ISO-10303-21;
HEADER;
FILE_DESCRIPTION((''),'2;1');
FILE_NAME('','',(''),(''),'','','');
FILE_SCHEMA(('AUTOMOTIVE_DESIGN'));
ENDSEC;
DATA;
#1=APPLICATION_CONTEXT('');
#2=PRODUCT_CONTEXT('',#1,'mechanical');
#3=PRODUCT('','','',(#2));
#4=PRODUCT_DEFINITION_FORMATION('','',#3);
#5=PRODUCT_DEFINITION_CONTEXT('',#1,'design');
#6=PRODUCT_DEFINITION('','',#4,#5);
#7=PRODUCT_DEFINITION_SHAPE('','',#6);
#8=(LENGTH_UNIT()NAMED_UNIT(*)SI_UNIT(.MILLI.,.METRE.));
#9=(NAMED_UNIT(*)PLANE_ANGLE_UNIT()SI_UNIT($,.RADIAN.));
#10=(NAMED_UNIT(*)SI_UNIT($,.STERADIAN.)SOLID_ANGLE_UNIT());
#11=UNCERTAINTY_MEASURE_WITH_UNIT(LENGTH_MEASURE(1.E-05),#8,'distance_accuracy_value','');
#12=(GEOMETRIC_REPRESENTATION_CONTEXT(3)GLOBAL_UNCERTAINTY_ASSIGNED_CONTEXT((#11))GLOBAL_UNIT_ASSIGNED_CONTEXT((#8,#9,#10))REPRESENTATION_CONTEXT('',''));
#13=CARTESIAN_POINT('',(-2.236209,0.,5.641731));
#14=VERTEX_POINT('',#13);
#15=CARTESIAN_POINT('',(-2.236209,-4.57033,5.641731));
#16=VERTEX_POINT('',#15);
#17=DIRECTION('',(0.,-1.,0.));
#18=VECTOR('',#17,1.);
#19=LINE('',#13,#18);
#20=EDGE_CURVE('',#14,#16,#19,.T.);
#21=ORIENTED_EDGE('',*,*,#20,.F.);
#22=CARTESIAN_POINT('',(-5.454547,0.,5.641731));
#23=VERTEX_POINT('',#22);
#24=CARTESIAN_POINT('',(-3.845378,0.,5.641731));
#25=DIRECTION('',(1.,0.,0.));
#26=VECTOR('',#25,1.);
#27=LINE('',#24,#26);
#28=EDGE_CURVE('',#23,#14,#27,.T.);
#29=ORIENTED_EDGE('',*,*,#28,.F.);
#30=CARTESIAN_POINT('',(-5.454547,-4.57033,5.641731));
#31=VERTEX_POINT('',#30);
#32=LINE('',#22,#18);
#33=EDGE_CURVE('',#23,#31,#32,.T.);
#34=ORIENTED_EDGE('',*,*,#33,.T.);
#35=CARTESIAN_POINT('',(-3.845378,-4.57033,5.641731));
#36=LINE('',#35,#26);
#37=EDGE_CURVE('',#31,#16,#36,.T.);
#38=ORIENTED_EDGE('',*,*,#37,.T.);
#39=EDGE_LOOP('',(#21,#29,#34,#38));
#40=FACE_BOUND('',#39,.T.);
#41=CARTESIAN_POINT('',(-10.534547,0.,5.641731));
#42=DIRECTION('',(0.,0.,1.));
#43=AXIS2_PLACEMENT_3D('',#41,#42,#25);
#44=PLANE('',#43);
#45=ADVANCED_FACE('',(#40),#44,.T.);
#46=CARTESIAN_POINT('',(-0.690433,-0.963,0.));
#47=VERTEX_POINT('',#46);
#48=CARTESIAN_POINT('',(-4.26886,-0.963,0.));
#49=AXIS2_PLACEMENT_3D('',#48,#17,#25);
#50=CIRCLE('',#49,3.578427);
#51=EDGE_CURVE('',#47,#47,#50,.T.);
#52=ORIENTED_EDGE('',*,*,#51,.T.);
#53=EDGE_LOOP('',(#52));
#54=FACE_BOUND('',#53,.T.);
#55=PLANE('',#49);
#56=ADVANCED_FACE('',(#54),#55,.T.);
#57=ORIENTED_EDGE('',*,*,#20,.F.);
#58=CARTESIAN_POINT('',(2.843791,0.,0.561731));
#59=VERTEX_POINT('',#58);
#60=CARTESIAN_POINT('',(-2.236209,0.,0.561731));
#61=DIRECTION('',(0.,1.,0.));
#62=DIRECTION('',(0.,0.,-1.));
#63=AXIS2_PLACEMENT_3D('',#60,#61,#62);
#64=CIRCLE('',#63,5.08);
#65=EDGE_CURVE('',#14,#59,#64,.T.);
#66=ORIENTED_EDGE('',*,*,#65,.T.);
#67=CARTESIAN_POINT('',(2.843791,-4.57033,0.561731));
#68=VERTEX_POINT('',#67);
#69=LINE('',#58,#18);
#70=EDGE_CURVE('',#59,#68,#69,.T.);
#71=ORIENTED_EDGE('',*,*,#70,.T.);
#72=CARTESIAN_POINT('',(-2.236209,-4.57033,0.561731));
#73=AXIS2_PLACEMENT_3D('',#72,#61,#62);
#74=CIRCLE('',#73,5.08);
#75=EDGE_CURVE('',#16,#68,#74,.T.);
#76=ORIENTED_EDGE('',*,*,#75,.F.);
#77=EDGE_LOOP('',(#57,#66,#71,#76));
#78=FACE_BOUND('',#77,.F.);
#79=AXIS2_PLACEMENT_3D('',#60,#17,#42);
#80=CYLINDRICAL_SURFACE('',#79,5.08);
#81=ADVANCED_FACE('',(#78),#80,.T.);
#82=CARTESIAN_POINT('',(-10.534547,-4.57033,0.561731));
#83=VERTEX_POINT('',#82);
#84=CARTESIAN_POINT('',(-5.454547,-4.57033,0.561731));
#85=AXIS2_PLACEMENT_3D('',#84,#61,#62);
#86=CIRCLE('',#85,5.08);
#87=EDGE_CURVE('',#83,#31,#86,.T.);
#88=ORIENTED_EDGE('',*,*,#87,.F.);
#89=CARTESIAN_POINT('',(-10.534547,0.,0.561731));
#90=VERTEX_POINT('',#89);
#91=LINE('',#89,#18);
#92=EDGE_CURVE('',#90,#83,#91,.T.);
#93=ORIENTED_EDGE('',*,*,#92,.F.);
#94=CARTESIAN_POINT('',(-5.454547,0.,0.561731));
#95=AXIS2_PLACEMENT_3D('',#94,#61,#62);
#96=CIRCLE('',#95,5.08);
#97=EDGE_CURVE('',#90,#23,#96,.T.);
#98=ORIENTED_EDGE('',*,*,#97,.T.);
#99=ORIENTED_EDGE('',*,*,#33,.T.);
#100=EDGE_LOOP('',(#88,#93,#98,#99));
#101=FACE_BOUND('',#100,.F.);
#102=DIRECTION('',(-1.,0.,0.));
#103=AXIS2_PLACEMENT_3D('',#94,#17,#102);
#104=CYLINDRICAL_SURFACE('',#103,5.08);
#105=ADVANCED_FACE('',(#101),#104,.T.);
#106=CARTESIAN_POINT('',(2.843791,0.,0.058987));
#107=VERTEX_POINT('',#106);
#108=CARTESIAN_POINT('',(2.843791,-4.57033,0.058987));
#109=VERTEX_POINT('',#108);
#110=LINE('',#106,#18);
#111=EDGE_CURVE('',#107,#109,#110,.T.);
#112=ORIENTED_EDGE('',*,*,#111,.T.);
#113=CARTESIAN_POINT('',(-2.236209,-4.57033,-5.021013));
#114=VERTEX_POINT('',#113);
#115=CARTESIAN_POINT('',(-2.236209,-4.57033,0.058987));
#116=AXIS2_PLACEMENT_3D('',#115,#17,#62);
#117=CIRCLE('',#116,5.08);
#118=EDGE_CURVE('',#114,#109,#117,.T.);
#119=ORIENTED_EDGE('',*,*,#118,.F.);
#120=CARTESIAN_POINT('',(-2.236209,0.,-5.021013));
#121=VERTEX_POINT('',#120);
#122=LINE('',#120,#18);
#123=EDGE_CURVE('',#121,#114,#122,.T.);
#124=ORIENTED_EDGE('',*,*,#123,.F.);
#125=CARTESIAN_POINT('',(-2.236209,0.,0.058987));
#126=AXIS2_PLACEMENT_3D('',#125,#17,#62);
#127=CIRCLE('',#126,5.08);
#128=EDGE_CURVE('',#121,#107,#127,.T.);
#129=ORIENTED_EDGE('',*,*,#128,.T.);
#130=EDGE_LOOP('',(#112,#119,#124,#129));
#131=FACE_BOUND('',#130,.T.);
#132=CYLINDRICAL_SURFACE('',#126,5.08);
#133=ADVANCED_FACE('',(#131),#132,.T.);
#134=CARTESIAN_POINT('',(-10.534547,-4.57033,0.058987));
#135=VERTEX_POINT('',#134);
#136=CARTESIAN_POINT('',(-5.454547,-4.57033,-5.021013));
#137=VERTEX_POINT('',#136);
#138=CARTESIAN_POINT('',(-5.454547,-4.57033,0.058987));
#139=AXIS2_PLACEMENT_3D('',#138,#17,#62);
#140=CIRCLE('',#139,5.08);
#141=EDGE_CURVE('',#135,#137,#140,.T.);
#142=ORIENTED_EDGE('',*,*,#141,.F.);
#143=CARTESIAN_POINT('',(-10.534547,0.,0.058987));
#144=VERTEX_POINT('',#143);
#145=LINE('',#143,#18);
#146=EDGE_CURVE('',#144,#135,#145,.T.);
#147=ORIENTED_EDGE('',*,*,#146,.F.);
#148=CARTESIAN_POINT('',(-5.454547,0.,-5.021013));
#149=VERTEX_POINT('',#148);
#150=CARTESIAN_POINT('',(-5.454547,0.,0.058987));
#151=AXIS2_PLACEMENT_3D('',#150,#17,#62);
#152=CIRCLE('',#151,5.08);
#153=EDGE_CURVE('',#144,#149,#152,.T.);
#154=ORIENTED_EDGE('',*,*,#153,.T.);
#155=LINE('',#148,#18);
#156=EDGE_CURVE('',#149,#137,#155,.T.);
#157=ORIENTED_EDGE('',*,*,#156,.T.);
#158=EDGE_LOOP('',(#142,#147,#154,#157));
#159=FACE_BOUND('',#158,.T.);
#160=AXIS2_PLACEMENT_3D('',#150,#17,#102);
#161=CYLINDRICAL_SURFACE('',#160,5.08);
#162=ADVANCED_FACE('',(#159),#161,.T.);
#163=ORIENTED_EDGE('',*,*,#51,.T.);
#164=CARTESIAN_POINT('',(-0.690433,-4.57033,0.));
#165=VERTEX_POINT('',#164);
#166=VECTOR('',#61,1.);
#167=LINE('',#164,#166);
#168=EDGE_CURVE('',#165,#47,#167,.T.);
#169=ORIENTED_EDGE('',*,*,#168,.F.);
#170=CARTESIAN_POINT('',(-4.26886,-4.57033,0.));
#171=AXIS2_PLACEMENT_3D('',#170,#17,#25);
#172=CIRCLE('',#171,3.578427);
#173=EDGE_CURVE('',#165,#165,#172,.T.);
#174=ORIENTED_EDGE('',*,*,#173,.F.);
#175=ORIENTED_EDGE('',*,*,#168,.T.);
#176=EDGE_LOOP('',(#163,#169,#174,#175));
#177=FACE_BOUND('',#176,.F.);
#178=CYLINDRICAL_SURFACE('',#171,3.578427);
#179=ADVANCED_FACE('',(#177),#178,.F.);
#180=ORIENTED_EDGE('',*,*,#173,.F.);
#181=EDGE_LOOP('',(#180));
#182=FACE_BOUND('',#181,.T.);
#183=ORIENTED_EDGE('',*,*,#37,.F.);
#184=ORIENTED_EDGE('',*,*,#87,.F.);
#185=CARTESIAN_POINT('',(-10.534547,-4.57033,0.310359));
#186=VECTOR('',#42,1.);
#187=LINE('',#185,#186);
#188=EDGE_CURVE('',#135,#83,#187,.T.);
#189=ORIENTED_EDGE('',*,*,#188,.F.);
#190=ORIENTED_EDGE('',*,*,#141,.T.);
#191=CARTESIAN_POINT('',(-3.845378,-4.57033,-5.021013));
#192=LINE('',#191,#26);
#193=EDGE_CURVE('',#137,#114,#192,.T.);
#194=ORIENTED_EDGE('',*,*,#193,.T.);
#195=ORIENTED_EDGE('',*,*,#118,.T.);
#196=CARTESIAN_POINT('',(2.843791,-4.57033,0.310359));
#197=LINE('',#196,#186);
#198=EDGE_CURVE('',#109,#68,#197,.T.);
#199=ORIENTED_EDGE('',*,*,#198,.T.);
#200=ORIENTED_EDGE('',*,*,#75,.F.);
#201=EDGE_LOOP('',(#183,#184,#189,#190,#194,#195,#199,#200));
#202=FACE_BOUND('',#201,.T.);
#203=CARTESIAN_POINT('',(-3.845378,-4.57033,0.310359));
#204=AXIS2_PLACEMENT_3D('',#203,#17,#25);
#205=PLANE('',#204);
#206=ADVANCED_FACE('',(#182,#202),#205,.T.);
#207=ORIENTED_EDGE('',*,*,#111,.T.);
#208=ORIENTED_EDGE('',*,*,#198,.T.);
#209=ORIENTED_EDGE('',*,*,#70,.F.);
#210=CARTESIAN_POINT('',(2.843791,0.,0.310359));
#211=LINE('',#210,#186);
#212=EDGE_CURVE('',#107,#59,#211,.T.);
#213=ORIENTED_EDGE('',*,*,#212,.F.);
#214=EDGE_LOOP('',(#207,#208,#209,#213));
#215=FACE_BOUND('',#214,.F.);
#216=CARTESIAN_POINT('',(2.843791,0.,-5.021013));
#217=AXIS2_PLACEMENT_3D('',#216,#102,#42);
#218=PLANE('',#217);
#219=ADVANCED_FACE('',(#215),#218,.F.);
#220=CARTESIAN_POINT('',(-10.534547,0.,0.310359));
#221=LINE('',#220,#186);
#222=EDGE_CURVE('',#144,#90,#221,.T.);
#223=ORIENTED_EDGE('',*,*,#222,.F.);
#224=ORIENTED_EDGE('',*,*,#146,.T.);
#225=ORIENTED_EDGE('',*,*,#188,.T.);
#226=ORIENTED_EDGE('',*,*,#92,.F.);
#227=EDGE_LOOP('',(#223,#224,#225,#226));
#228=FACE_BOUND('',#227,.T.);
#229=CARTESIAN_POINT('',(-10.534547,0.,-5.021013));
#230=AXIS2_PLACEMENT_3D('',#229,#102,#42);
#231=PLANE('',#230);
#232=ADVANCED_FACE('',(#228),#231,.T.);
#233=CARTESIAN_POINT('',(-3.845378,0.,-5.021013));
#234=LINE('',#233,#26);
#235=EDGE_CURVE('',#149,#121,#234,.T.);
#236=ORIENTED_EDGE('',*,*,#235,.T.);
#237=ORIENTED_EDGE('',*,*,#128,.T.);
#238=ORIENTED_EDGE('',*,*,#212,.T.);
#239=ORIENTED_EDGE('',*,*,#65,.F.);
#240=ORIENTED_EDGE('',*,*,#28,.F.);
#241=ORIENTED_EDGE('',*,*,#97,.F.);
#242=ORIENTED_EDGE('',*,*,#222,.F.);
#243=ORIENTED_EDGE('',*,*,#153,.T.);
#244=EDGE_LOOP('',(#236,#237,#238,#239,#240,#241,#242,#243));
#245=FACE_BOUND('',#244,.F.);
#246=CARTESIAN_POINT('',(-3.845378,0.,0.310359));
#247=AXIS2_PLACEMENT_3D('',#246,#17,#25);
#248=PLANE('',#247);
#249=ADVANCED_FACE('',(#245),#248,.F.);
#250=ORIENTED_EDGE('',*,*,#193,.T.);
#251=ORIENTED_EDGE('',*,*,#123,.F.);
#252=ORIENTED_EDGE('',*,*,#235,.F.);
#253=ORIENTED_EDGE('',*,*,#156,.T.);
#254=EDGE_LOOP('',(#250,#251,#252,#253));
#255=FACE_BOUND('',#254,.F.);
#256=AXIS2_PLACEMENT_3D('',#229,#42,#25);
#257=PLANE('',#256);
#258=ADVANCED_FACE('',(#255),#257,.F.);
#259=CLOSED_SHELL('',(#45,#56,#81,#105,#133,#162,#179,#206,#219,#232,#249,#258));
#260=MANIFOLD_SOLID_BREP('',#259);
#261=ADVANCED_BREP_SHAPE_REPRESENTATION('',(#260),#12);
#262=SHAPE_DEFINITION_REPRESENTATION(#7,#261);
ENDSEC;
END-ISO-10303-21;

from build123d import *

# Parameters (mm, degrees)
F0_W     = 13.378338
F0_H     = 10.662744
F1_DEPTH = 4.57033
F2_R     = 3.578427
F3_DEPTH = 3.60733
F4_R     = 5.08


with BuildPart() as f1:
    # F0 (on Front) → F1 (new body)
    with BuildSketch(Plane.XZ):
        with Locations((-3.845378, 0.310359)):
            Rectangle(F0_W, F0_H)
    extrude(amount=F1_DEPTH)

    # F2 (on face) → F3 (cut)
    with BuildSketch(Plane.XZ.offset(4.57033)):
        with Locations((-4.26886, 0)):
            Circle(F2_R)
    extrude(amount=-F3_DEPTH, mode=Mode.SUBTRACT)

    # F4
    f4_edges = [f1.edges().sort_by_distance(p)[0] for p in [
        (2.843791, -2.285165, -5.021013),
        (2.843791, -2.285165, 5.641731),
        (-10.534547, -2.285165, 5.641731),
        (-10.534547, -2.285165, -5.021013),
    ]]
    fillet(f4_edges, radius=F4_R)


solid = f1.part
